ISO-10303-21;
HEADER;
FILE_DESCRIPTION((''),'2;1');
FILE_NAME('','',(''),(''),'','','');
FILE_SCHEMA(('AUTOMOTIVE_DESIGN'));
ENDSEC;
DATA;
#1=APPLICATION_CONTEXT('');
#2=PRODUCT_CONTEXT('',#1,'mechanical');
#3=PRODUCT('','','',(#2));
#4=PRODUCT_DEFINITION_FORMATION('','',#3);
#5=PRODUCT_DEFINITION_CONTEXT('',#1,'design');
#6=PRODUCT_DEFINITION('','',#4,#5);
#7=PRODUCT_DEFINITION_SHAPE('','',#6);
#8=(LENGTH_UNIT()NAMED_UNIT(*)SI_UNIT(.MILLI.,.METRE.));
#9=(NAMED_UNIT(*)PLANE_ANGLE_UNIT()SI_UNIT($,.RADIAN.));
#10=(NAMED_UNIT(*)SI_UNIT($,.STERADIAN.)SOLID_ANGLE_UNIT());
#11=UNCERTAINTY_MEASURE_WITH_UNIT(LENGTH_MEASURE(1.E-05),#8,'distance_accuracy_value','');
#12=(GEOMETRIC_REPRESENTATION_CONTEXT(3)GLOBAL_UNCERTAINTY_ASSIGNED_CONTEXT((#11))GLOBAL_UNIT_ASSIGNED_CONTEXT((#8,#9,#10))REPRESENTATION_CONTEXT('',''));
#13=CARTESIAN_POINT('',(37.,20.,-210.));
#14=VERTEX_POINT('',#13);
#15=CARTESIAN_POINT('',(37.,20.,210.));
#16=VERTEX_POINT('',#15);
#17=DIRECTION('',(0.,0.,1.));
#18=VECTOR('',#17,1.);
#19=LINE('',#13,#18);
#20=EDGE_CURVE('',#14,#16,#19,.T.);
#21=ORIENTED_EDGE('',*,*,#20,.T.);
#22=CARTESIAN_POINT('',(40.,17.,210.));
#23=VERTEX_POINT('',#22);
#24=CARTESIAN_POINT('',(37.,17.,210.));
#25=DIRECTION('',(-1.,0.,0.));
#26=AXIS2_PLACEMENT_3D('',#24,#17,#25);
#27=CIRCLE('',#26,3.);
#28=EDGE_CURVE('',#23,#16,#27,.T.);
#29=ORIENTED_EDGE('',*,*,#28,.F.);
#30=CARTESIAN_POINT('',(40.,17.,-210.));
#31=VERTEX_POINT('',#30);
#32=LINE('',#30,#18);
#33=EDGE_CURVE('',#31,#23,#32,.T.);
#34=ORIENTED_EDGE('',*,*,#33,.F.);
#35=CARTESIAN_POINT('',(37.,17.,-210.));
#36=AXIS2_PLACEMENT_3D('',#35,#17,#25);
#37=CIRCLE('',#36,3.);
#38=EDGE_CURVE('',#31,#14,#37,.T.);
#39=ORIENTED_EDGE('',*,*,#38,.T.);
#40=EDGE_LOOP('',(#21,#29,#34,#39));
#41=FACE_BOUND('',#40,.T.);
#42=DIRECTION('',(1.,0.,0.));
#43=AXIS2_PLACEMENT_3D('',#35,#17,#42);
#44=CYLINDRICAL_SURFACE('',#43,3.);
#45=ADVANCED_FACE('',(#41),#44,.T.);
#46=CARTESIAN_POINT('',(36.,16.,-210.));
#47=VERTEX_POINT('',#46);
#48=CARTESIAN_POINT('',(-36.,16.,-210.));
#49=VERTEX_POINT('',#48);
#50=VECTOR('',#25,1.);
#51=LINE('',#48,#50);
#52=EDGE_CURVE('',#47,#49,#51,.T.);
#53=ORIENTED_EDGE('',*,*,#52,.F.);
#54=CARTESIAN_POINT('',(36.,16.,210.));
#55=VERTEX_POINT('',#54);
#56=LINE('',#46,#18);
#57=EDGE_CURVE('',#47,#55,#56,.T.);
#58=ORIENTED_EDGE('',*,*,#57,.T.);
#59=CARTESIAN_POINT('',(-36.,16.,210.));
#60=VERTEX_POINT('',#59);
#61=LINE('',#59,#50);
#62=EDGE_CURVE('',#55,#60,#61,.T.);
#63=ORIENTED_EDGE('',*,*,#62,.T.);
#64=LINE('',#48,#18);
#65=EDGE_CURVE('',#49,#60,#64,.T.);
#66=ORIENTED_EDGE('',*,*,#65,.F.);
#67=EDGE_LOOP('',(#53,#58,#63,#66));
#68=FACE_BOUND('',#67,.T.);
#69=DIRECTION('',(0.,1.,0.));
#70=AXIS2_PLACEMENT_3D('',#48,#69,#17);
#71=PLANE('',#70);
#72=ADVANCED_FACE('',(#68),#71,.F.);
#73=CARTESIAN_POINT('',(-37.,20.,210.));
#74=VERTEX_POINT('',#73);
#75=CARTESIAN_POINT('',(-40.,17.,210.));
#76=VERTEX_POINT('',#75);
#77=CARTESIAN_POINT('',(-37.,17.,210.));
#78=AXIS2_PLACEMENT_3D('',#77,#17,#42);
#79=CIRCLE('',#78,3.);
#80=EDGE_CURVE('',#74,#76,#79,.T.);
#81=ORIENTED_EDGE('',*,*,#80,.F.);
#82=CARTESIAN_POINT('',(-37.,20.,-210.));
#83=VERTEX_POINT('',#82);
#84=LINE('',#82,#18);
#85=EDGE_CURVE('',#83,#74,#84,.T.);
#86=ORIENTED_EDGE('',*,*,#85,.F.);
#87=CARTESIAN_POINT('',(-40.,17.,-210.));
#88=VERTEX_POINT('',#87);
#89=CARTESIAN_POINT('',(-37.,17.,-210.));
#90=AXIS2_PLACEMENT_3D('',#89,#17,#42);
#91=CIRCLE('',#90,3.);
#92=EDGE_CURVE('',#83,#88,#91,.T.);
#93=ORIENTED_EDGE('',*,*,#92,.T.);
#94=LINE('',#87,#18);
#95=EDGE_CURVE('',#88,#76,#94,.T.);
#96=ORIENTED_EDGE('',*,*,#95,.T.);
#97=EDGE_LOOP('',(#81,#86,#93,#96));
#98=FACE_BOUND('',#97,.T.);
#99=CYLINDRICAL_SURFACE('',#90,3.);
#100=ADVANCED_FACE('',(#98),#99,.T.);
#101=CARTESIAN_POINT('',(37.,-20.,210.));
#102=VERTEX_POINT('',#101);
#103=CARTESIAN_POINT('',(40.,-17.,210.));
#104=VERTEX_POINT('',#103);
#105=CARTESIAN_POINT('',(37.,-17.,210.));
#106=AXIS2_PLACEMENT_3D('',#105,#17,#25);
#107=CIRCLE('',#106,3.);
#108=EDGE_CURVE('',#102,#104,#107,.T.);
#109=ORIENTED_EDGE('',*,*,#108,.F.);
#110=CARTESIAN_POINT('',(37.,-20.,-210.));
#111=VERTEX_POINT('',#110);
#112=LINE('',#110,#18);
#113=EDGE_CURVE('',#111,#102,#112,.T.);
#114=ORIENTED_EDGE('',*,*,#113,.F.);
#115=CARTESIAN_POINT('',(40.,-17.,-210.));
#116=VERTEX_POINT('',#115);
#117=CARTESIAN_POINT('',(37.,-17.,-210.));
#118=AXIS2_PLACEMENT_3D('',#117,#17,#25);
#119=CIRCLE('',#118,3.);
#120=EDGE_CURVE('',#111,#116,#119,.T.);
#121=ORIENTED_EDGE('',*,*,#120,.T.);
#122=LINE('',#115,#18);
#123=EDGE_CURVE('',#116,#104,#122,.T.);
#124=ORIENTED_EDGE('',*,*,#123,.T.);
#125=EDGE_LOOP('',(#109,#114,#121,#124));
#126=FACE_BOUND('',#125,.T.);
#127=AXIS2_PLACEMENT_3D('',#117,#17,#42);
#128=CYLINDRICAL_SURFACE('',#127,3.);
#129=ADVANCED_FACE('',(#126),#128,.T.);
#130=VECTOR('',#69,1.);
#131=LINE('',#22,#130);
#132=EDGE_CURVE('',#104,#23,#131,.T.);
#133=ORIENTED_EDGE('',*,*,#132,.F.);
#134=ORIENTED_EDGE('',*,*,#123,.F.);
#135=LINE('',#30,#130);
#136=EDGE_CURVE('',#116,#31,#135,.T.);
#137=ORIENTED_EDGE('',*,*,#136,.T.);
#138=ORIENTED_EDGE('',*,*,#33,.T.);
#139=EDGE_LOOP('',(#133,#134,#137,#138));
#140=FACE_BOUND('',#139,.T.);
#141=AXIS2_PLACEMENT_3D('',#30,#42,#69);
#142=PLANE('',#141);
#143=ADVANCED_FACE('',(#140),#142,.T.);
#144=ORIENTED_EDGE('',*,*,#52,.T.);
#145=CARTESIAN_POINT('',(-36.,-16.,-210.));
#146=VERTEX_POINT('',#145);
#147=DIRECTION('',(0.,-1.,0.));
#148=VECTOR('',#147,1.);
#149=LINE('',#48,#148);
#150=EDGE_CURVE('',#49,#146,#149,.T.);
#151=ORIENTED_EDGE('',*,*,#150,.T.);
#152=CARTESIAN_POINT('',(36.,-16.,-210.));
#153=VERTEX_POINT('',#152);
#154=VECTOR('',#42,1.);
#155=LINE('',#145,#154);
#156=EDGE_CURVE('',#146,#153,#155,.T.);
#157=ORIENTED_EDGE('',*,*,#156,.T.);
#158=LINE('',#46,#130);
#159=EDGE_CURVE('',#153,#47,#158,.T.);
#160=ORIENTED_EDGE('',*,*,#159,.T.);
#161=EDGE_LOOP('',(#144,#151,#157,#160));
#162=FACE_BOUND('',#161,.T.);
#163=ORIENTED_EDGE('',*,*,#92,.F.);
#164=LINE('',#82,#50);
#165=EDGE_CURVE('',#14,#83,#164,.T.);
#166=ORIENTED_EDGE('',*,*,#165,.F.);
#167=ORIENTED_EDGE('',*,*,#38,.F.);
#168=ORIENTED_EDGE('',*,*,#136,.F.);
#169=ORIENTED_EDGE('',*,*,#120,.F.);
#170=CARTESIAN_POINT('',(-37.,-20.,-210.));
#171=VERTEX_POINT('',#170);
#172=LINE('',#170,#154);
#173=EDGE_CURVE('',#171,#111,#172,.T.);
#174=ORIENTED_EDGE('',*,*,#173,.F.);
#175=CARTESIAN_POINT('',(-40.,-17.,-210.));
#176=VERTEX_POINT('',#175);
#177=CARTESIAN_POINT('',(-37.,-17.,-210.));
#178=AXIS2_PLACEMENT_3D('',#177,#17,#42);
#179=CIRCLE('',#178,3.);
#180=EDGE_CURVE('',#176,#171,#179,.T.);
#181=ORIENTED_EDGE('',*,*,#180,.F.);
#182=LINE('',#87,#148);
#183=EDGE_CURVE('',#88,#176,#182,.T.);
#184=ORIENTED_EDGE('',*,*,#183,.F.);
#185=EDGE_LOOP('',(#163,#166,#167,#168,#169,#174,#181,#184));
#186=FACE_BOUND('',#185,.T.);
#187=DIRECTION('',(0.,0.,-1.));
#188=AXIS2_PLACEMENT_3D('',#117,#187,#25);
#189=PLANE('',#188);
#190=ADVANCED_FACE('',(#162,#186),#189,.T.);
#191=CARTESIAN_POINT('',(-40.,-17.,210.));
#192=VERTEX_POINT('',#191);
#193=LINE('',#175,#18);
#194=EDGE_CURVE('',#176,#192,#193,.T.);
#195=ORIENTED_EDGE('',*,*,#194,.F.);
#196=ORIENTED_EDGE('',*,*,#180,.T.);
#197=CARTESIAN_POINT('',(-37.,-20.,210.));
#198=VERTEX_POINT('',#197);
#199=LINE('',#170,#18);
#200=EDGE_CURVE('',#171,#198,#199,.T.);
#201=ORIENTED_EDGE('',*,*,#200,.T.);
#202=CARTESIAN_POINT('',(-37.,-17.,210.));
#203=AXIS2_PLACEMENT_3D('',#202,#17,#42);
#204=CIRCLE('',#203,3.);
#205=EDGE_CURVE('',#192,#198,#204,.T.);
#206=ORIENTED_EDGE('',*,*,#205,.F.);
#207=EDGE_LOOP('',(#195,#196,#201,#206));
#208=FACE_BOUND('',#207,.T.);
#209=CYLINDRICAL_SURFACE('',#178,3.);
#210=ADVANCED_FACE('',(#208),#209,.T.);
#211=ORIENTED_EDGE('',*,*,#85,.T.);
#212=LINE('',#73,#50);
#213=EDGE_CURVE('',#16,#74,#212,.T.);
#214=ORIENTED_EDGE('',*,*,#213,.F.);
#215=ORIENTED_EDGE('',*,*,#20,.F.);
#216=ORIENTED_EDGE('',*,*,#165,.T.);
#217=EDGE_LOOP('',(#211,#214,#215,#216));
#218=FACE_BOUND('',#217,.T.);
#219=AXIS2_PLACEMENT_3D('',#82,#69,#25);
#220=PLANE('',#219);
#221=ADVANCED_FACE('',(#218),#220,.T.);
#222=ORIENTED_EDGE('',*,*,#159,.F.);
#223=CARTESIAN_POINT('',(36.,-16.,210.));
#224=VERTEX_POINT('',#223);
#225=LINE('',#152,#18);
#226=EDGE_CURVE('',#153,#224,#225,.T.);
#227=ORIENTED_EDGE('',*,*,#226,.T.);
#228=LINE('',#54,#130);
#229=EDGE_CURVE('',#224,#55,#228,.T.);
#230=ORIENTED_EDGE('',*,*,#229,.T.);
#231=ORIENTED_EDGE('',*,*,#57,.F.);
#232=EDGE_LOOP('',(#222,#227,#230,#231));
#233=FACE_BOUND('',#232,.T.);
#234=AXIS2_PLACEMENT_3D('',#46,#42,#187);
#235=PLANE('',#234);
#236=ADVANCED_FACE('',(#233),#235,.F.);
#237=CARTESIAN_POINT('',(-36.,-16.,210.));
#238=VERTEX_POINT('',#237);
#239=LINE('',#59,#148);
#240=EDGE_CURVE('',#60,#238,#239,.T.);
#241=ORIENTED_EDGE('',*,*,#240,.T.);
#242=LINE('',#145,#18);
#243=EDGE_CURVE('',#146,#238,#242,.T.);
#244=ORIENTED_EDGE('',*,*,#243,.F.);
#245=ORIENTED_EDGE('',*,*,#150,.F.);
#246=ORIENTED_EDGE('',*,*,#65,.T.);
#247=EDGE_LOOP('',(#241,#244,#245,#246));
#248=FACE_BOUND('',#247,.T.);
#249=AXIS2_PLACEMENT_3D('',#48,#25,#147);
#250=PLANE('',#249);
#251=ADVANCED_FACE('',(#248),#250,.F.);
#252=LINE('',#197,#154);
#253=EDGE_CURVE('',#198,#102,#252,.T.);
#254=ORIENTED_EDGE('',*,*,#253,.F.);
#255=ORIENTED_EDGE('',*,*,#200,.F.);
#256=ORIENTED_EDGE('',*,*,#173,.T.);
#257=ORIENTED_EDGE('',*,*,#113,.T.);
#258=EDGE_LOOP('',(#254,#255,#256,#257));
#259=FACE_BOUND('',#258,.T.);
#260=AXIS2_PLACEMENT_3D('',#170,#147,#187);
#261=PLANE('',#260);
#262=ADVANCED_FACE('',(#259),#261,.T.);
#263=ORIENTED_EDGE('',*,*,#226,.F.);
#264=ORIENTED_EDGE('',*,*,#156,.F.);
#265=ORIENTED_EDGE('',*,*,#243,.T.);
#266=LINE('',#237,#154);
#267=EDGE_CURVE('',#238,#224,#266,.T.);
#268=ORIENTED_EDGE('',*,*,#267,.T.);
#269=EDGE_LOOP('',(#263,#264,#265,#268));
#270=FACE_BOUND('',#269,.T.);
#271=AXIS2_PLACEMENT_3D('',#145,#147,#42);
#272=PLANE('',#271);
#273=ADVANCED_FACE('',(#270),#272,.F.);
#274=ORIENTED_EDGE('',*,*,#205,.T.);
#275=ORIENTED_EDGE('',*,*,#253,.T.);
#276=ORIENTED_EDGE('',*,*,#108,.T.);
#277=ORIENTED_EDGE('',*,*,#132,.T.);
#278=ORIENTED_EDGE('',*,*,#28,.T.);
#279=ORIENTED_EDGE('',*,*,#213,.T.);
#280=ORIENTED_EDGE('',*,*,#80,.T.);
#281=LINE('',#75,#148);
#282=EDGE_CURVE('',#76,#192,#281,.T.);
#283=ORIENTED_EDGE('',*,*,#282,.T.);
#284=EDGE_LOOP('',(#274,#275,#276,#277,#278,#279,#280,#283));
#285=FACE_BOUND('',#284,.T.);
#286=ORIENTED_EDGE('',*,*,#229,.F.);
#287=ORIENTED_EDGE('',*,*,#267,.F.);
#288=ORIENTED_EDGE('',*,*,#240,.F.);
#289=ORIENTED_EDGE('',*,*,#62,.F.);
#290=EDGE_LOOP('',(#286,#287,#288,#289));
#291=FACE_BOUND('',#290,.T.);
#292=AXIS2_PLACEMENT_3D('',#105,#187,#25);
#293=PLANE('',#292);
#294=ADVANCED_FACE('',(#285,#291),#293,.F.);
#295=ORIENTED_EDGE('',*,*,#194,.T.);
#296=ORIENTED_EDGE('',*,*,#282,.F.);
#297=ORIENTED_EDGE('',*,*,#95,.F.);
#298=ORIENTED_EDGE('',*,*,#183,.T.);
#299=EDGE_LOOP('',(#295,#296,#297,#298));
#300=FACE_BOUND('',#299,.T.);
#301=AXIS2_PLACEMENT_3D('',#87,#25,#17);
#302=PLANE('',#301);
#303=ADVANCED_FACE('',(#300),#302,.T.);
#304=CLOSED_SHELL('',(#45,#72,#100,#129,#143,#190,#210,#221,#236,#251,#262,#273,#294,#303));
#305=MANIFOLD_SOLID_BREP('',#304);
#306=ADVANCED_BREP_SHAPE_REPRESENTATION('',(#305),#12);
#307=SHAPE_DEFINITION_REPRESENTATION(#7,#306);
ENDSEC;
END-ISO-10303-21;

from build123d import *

# Parameters (mm, degrees)
Y_KSEKLIK_EKSTR_ZYON1_DEPTH      = 210
Y_KSEKLIK_EKSTR_ZYON1_DEPTH_BACK = 210
IZIM1_W                          = 72
IZIM1_H                          = 32


with BuildPart() as part:
    # Çizim1 → Yükseklik-Ekstrüzyon1 (new, two sides: drawn at the far end of the back side and taken through both)
    with BuildSketch(Plane.XY.offset(-Y_KSEKLIK_EKSTR_ZYON1_DEPTH_BACK)):
        with BuildLine():
            Line((-37, 20), (37, 20))
            ThreePointArc((37, 20), (39.121320344, 19.121320344), (40, 17))
            Line((40, 17), (40, -17))
            ThreePointArc((40, -17), (39.121320344, -19.121320344), (37, -20))
            Line((37, -20), (-37, -20))
            ThreePointArc((-37, -20), (-39.121320344, -19.121320344), (-40, -17))
            Line((-40, -17), (-40, 17))
            ThreePointArc((-40, 17), (-39.121320344, 19.121320344), (-37, 20))
        make_face()
        Rectangle(IZIM1_W, IZIM1_H, mode=Mode.SUBTRACT)
    extrude(amount=Y_KSEKLIK_EKSTR_ZYON1_DEPTH + Y_KSEKLIK_EKSTR_ZYON1_DEPTH_BACK)


solid = part.part
